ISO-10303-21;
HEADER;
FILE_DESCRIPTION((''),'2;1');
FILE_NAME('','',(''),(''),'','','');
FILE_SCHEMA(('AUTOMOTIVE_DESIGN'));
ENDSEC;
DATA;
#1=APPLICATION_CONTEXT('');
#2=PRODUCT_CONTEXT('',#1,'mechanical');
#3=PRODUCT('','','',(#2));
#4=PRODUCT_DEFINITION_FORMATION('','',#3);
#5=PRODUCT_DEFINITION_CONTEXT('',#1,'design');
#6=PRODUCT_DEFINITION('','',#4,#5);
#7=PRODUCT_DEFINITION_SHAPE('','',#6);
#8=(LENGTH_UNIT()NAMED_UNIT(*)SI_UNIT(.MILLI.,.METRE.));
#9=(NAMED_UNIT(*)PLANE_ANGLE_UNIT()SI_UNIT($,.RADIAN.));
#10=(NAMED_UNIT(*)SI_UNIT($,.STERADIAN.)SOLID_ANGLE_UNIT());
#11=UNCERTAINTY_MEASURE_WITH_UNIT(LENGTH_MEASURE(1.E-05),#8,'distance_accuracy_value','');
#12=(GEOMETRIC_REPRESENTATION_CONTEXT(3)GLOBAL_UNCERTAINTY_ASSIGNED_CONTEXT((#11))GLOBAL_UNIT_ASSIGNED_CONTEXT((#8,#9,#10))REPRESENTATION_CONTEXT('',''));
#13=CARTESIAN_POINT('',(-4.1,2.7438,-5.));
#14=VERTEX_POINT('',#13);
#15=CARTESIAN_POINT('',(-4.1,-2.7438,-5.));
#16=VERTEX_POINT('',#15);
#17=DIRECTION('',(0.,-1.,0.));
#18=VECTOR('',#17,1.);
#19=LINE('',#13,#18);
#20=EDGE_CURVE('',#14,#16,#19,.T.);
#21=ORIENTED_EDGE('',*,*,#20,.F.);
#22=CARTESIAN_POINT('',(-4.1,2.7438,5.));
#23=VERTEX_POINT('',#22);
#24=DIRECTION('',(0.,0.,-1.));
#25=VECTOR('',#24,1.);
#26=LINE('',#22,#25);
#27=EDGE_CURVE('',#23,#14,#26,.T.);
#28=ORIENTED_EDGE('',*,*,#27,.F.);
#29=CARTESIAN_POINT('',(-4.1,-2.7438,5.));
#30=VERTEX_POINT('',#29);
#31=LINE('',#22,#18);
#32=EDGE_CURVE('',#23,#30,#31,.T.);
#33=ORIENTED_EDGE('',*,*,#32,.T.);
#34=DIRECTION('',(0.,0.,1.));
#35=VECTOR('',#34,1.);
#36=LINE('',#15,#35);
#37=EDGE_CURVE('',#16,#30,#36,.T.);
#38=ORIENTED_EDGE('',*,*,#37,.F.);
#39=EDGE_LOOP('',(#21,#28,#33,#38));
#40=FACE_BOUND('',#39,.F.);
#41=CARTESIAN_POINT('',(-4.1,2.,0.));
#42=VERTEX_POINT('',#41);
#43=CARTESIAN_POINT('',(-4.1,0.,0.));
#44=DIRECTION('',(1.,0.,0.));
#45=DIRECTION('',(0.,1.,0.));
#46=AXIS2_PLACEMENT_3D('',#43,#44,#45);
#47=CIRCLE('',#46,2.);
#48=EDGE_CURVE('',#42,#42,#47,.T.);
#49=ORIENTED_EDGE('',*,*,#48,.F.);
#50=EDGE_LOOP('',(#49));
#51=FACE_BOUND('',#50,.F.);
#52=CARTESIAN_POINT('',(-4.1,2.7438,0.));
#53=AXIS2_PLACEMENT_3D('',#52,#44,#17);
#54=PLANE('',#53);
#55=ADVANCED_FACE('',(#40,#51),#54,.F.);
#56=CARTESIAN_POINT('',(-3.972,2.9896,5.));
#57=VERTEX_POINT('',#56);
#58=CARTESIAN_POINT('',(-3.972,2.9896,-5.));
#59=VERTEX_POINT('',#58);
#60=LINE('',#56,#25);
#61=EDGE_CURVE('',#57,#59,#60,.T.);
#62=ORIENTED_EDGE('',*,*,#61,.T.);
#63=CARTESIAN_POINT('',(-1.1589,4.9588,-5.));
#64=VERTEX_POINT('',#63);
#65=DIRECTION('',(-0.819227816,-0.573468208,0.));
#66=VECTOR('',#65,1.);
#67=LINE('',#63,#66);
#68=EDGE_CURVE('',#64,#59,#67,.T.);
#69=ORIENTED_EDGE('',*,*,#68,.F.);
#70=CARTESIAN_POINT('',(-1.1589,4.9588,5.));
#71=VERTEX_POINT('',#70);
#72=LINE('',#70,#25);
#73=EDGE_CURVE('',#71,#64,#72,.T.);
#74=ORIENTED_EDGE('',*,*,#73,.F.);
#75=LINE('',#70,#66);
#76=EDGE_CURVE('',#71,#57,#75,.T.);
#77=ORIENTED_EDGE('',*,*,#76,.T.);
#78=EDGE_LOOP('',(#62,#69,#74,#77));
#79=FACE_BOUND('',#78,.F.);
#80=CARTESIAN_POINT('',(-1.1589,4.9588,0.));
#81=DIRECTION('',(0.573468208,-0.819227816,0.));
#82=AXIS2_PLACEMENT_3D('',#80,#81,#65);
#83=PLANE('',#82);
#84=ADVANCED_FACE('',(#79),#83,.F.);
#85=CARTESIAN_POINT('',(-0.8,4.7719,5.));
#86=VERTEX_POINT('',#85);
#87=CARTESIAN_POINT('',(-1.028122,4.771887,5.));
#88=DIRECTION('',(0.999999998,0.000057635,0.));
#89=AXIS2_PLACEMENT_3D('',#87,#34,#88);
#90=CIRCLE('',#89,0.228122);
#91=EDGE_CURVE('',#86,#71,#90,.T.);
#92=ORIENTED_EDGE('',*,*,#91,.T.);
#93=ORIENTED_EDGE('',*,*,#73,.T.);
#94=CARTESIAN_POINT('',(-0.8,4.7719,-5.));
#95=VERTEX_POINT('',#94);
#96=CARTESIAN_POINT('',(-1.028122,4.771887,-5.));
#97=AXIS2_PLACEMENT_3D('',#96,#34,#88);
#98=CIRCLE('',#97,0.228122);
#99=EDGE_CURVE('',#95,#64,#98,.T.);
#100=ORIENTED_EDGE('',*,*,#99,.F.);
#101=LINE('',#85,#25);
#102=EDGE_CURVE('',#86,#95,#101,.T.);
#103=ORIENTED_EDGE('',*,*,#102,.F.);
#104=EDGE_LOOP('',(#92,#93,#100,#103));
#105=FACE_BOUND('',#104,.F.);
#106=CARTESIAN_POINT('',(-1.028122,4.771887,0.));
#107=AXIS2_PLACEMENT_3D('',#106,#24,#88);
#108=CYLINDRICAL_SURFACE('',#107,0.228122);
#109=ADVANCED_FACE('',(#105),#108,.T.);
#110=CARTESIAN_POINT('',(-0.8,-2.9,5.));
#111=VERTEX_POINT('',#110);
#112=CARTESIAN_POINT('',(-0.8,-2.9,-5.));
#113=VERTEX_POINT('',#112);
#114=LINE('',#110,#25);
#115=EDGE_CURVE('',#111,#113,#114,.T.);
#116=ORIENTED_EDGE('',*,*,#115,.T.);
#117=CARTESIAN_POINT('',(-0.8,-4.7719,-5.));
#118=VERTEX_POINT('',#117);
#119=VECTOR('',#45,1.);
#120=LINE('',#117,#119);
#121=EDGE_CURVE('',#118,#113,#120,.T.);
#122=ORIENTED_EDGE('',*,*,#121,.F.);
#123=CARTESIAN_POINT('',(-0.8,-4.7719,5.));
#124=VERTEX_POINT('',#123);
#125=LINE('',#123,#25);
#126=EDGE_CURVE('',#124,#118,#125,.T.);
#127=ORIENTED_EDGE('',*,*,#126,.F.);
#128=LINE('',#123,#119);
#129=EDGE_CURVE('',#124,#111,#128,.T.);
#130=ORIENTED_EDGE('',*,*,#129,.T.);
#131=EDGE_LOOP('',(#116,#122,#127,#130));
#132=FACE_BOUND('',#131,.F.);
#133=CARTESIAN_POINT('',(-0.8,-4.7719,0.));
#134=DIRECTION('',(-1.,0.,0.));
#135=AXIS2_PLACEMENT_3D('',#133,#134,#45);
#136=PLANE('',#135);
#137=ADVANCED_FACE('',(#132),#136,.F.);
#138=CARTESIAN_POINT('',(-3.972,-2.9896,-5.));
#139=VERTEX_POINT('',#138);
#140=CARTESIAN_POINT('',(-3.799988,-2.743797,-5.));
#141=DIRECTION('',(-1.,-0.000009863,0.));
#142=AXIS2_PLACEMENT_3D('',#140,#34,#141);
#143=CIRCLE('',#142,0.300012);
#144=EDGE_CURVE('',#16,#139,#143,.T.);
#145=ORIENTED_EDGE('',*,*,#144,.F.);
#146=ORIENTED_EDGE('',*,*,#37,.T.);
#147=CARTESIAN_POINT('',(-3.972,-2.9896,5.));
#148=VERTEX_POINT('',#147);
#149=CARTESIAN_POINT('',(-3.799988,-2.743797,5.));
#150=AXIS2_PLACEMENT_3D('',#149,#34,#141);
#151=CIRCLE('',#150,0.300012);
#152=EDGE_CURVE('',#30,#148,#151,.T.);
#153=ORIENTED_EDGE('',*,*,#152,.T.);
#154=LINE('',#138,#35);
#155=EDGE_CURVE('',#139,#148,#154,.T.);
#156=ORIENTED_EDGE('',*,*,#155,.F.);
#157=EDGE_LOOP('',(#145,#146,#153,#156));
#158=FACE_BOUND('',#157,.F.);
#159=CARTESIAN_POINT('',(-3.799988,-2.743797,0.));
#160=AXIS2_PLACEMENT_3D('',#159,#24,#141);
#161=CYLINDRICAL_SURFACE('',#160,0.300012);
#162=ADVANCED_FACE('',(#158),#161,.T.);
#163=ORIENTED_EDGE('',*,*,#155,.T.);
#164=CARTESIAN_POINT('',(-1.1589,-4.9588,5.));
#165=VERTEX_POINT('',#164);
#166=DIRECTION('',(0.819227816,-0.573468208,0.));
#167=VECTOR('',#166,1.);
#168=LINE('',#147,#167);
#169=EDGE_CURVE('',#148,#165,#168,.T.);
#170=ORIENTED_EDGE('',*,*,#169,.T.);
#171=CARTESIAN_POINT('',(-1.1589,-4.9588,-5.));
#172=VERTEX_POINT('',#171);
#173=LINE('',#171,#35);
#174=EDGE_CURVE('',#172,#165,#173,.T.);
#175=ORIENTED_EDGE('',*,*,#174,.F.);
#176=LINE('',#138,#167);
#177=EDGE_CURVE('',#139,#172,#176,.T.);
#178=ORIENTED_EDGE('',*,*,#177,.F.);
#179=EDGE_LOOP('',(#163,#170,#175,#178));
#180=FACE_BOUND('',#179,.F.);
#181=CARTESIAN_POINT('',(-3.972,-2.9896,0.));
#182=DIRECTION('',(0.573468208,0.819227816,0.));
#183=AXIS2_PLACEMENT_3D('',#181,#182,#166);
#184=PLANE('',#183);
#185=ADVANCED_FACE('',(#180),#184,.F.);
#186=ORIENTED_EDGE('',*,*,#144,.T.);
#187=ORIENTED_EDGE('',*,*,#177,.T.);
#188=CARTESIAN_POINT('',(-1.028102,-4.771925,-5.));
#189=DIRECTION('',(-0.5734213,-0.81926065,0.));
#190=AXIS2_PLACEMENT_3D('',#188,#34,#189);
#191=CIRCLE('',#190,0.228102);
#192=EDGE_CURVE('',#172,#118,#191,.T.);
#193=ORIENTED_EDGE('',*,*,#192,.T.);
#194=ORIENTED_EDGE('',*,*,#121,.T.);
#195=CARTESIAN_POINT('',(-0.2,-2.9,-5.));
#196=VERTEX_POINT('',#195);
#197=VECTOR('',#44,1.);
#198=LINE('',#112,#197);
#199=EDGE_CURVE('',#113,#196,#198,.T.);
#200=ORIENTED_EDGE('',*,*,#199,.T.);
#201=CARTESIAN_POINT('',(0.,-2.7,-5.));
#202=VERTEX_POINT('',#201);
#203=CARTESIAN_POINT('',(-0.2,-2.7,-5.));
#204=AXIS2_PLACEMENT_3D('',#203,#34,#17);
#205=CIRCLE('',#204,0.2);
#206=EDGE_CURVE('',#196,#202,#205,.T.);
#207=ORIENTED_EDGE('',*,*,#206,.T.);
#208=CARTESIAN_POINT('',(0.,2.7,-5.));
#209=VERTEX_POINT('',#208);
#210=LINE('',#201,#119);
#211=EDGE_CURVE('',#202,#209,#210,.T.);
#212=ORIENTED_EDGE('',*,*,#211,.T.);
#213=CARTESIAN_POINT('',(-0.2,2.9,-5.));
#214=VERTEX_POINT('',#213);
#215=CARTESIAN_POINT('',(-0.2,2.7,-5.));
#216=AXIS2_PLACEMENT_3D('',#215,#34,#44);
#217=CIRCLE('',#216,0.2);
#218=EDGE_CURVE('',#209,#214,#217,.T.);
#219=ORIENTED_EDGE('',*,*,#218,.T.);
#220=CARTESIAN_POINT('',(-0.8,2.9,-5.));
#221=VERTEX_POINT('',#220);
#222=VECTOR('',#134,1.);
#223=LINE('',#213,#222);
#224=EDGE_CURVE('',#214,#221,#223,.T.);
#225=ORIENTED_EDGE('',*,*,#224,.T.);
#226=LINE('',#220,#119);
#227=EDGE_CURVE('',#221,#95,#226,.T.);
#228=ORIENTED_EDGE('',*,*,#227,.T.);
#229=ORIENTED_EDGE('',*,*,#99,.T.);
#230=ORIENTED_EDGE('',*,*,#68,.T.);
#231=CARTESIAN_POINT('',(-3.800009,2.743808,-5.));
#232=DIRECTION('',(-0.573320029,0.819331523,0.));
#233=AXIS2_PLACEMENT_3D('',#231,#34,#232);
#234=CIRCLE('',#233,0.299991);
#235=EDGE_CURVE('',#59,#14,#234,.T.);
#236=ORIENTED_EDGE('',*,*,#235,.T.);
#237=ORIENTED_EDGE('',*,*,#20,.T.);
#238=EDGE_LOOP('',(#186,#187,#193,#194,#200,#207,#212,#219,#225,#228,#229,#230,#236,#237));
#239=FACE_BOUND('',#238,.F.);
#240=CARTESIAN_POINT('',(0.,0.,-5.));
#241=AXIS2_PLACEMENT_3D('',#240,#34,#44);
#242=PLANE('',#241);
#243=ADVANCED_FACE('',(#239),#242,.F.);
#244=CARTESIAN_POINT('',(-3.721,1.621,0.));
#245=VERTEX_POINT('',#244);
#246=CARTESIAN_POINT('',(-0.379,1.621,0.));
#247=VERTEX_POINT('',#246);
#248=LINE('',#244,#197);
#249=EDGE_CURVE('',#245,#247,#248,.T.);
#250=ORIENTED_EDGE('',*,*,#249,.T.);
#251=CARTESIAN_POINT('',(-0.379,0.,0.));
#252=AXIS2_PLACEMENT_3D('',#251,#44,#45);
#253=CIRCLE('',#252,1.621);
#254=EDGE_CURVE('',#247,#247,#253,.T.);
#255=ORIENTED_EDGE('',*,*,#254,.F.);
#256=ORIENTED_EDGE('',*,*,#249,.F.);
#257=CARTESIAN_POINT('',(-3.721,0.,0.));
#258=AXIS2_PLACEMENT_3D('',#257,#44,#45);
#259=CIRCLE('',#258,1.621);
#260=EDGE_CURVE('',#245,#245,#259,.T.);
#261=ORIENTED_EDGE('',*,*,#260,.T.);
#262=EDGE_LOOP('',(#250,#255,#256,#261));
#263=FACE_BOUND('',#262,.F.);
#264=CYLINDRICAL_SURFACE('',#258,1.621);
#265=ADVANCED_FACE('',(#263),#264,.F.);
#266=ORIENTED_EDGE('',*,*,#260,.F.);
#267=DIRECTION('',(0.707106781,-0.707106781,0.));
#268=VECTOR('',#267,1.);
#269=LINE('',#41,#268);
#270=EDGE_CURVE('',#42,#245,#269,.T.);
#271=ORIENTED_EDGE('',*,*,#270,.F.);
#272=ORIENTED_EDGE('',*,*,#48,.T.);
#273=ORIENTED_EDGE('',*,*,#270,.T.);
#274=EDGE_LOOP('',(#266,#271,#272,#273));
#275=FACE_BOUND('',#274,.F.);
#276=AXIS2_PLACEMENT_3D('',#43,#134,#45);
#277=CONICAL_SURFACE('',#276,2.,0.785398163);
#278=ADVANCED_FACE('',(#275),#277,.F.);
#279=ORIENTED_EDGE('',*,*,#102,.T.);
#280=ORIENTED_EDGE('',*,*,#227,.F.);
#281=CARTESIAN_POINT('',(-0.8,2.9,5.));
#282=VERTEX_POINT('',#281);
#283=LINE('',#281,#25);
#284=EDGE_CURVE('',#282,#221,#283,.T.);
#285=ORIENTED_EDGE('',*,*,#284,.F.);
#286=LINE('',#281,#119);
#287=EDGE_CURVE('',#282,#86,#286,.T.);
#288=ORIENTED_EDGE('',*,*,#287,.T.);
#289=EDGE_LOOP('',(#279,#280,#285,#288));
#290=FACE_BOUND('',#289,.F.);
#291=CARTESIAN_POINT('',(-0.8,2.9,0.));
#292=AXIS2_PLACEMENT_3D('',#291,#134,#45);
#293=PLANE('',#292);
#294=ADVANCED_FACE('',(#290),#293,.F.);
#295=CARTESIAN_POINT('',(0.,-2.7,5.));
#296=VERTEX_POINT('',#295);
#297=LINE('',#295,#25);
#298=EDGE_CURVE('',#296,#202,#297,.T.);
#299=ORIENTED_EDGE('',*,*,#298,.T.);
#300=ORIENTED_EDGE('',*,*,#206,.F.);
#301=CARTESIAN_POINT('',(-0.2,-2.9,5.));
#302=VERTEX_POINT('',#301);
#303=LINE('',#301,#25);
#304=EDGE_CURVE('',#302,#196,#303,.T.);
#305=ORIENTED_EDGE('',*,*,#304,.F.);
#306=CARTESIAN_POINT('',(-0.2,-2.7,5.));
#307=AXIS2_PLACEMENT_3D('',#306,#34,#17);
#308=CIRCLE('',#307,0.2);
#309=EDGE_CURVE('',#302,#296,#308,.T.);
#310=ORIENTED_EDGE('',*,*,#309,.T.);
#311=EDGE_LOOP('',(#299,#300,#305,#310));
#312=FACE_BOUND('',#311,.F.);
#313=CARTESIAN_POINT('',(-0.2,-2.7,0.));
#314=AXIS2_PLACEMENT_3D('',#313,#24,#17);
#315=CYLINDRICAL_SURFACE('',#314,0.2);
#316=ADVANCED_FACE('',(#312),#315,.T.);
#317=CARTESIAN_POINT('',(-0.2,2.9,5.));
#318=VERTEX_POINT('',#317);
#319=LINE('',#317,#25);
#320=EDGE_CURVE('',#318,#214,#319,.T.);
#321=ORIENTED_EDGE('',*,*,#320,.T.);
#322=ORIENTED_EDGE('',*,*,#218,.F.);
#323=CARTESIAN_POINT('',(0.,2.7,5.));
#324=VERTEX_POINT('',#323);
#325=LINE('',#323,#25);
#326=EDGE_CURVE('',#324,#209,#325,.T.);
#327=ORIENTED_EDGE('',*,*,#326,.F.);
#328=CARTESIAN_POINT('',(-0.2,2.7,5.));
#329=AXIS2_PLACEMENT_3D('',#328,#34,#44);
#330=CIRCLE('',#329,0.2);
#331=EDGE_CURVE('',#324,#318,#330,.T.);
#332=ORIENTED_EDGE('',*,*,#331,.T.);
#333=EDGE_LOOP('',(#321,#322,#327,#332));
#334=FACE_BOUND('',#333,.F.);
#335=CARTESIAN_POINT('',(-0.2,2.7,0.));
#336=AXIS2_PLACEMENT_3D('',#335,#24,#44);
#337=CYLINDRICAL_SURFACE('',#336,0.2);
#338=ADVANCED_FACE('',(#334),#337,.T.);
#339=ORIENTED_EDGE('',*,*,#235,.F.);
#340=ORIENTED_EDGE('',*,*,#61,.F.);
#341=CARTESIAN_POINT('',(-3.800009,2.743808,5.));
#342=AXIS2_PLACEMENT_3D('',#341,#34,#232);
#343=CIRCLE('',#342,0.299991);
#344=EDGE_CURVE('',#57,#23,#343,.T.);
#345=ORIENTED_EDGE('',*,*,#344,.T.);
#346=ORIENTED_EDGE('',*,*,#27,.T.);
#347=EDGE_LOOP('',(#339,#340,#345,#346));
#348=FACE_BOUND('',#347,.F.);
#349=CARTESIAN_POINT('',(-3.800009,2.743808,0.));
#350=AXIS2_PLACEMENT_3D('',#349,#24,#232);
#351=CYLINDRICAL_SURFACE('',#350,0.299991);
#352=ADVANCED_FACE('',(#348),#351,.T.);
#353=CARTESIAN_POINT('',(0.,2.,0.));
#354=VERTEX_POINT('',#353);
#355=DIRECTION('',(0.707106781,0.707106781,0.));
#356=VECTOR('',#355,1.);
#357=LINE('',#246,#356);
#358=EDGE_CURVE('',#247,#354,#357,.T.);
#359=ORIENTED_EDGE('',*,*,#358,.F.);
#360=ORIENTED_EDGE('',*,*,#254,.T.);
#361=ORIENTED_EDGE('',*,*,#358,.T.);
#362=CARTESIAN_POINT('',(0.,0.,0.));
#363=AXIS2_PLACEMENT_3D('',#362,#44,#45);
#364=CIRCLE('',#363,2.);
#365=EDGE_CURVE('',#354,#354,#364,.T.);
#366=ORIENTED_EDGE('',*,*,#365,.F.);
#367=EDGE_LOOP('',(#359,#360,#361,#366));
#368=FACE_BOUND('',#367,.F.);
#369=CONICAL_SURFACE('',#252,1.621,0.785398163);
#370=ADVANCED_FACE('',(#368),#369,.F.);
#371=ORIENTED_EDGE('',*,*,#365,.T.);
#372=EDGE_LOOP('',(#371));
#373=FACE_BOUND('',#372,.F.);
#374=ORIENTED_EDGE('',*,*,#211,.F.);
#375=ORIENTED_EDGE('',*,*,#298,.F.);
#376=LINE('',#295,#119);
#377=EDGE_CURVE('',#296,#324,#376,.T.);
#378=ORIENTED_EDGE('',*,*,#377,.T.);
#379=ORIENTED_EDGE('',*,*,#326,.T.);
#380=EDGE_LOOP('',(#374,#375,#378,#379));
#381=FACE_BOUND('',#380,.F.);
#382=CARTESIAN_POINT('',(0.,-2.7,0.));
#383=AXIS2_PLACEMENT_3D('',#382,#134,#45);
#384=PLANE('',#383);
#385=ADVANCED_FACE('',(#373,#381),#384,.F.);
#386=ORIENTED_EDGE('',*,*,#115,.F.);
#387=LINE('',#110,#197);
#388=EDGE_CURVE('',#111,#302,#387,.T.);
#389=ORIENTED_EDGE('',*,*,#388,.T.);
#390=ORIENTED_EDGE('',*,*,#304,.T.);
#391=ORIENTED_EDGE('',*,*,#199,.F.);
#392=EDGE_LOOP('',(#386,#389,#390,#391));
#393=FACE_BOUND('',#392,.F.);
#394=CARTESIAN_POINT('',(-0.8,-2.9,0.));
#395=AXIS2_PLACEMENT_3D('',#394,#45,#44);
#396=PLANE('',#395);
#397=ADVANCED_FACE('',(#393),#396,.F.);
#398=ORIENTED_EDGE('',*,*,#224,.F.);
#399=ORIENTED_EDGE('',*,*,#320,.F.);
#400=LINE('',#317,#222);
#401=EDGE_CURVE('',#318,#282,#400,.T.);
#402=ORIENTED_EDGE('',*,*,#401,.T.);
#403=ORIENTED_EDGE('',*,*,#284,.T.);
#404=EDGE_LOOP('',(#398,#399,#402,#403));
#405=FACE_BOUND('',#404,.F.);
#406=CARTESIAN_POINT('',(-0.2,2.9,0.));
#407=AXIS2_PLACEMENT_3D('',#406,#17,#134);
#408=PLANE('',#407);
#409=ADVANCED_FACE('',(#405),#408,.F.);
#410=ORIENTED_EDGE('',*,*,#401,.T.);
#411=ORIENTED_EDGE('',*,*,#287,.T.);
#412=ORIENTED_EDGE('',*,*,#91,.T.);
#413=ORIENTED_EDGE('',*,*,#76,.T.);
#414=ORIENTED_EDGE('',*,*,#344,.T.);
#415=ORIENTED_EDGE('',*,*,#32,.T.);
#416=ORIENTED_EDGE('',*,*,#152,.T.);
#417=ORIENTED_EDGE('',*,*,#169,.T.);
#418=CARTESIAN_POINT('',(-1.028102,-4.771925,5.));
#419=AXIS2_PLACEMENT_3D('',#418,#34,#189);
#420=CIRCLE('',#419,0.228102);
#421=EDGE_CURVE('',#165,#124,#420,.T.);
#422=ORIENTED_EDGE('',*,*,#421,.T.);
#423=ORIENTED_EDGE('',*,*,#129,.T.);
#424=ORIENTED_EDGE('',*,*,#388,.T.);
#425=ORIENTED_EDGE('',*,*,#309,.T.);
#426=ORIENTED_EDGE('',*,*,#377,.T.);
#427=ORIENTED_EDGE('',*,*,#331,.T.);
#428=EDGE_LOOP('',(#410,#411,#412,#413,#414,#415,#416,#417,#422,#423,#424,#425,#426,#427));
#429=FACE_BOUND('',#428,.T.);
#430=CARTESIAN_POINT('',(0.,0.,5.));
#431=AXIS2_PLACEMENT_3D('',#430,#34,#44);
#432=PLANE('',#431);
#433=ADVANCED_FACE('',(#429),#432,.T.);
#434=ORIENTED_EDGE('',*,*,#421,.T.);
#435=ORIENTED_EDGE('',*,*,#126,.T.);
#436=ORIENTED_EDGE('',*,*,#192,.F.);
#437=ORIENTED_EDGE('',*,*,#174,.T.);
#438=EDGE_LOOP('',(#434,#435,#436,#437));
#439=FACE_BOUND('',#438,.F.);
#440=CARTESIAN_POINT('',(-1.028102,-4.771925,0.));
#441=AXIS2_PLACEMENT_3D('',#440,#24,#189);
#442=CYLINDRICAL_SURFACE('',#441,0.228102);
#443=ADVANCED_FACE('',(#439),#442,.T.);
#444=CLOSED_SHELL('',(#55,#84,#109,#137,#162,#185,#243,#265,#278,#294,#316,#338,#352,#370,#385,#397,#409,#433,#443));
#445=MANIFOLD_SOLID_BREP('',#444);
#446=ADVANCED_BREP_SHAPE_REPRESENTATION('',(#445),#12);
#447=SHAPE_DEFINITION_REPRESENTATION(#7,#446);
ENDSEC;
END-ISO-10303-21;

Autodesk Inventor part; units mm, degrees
sketch "Sketch_2" plane through (0, 0, 0) normal (0, 0, 1) x (1, 0, 0)
  arc A0 (-4.1, -2.7438) -> (-3.972, -2.9896) centre (-3.8, -2.7438) ccw
  line L0 (-3.972, -2.9896) -> (-1.1589, -4.9588)
  arc A1 (-1.1589, -4.9588) -> (-0.8, -4.7719) centre (-1.0281, -4.7719) ccw
  line L1 (-0.8, -4.7719) -> (-0.8, -2.9)
  line L2 (-0.8, -2.9) -> (-0.2, -2.9)
  arc A2 (-0.2, -2.9) -> (0, -2.7) centre (-0.2, -2.7) ccw
  line L3 (0, -2.7) -> (0, 2.7)
  arc A3 (0, 2.7) -> (-0.2, 2.9) centre (-0.2, 2.7) ccw
  line L4 (-0.2, 2.9) -> (-0.8, 2.9)
  line L5 (-0.8, 2.9) -> (-0.8, 4.7719)
  arc A4 (-0.8, 4.7719) -> (-1.1589, 4.9588) centre (-1.0281, 4.7719) ccw
  line L6 (-1.1589, 4.9588) -> (-3.972, 2.9896)
  arc A5 (-3.972, 2.9896) -> (-4.1, 2.7438) centre (-3.8, 2.7438) ccw
  line L7 (-4.1, 2.7438) -> (-4.1, -2.7438)
extrude "Extrusion1" add sketch "Sketch_2" along normal mid plane 10
sketch "Sketch_5" plane through (0, 0, 0) normal (0, 0, 1) x (1, 0, 0)
  line L0 (0, 0) -> (-4.1, 0)
  line L1 (-4.1, 0) -> (-4.1, 2)
  line L2 (-4.1, 2) -> (-3.721, 1.621)
  line L3 (-3.721, 1.621) -> (-0.379, 1.621)
  line L4 (-0.379, 1.621) -> (0, 2)
  line L5 (0, 2) -> (0, 0)
  line L6 (0, 0) -> (-4.1, 0)
revolve "Revolution1" cut sketch "Sketch_5" angle 360 about axis through (0, 0, 0) along (1, 0, 0)
thread "Thread1" size "M4x0.7" class "6H" standard "ISO Metric profile" full length
ref_plane "nut_XY" through (0, 0, 0) normal (1, 0, 0) x (0, 0, -1)
ref_plane "nut_YZ" through (0, 0, 0) normal (0, 0, -1) x (0, 1, 0)
ref_plane "nut_ZX" through (0, 0, 0) normal (0, 1, 0) x (1, 0, 0)
ref_plane "to_bolt_XY" through (-4.1, 0, 0) normal (1, 0, 0) x (0, 0, -1)
ref_plane "to_bolt_YZ" through (-4.1, 0, 0) normal (0, 0, -1) x (0, 1, 0)
ref_plane "to_bolt_ZX" through (-4.1, 0, 0) normal (0, 1, 0) x (1, 0, 0)
ref_plane "to_frames_XY" through (-0.8, 0, 0) normal (1, 0, 0) x (0, 0, -1)
ref_plane "to_frames_YZ" through (-0.8, 0, 0) normal (0, 0, -1) x (0, 1, 0)
ref_plane "to_frames_ZX" through (-0.8, 0, 0) normal (0, 1, 0) x (1, 0, 0)
ref_plane "to_lane_XY" through (0, 0, 0) normal (0, 0, 1) x (1, 0, 0)
ref_plane "to_lane_YZ" through (0, 0, 0) normal (1, 0, 0) x (0, 1, 0)
ref_plane "to_lane_ZX" through (0, 0, 0) normal (0, 1, 0) x (0, 0, 1)
properties part number "HNTT5-4" material "알루미늄 6061"
